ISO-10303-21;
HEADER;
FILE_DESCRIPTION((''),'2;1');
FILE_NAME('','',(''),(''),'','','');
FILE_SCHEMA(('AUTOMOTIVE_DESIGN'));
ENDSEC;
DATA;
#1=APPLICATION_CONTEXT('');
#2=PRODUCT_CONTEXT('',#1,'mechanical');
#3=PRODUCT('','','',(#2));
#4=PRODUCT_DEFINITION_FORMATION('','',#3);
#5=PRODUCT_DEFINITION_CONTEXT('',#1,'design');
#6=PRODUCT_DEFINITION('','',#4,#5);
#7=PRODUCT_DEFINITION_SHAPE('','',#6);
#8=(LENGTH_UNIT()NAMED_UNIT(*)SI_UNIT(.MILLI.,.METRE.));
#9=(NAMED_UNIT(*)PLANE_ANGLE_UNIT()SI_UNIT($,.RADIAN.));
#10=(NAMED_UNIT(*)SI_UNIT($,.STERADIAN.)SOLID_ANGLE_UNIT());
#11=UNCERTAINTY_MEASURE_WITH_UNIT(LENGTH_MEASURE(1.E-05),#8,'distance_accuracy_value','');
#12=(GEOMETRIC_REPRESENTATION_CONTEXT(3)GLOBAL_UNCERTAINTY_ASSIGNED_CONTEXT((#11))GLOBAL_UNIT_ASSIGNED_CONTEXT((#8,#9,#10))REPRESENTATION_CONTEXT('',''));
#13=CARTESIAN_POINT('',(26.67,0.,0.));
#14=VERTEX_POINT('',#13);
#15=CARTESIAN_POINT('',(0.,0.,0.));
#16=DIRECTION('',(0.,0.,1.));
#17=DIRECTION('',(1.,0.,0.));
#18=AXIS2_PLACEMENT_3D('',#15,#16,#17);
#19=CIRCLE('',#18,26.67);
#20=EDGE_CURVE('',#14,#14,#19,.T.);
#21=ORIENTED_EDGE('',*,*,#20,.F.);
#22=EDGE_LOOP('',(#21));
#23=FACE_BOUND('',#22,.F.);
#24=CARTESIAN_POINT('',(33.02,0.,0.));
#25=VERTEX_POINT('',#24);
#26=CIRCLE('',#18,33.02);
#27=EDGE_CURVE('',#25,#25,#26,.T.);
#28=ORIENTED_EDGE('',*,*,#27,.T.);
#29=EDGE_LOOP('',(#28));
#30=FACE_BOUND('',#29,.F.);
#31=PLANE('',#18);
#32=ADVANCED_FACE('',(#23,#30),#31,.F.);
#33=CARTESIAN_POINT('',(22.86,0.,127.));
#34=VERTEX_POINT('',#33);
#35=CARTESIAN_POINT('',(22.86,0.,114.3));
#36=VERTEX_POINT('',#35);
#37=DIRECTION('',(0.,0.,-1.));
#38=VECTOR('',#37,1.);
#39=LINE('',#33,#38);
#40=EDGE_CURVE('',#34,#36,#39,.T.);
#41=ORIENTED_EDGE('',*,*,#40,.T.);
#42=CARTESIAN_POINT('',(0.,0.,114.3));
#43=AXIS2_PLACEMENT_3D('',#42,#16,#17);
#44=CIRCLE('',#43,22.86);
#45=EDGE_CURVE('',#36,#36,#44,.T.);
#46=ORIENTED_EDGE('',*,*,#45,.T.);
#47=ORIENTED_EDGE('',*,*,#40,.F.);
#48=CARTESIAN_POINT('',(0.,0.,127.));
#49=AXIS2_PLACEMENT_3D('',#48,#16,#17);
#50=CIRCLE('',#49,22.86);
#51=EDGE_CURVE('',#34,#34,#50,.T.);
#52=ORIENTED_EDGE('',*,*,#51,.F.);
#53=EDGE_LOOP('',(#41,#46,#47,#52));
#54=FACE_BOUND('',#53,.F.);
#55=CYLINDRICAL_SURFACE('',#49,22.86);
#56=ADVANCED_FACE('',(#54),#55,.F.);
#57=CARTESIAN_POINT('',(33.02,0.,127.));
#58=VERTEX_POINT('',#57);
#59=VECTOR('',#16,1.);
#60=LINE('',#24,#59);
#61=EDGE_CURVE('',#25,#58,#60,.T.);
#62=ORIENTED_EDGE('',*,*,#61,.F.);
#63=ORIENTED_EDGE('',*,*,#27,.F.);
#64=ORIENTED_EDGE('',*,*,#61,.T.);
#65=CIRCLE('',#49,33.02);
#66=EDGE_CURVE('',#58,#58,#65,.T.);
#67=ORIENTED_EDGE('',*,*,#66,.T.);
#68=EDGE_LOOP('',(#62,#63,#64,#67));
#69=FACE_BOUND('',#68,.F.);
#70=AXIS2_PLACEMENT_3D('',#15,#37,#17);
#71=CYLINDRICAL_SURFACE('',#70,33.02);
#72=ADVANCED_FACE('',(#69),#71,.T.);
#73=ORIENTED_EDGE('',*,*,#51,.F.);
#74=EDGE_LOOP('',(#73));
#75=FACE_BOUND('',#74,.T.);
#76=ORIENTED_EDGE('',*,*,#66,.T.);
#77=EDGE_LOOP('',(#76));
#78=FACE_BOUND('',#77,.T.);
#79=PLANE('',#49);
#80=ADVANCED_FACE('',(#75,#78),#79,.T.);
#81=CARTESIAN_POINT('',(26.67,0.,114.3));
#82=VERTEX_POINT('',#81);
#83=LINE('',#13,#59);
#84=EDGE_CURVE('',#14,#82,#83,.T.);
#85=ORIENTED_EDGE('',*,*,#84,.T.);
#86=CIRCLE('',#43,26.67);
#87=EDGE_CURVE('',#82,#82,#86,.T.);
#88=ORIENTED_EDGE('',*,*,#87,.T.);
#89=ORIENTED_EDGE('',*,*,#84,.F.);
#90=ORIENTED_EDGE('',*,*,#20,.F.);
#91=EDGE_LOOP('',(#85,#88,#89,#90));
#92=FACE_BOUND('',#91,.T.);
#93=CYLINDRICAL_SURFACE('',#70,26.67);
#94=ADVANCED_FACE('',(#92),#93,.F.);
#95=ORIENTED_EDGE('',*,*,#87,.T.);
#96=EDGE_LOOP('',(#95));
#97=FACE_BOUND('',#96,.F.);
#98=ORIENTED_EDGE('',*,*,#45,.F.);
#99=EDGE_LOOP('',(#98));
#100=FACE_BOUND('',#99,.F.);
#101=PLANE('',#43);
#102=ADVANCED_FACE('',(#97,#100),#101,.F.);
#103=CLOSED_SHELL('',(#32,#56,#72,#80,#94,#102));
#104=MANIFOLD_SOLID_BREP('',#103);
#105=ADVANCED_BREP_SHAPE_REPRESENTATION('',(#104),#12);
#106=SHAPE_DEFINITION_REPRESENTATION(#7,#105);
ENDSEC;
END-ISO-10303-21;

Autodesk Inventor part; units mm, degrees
ref_plane "YZ Plane" through (0, 0, 0) normal (1, 0, 0) x (0, 1, 0)
ref_plane "XZ Plane" through (0, 0, 0) normal (0, 1, 0) x (-1, 0, 0)
ref_plane "XY Plane" through (0, 0, 0) normal (0, 0, 1) x (1, 0, 0)
sketch "Sketch1" plane through (0, 0, 0) normal (0, 0, 1) x (1, 0, 0)
  circle A0 centre (0, 0) radius 26.67
  circle A1 centre (0, 0) radius 33.02
  dimension "d0" = 53.34
  dimension "d1" = 66.04
extrude "Extrusion1" add sketch "Sketch1" along normal blind 127
sketch "Sketch2" plane through (0, 0, 127) normal (0, 0, 1) x (1, 0, 0)
  circle A0 centre (0, 0) radius 26.67
  circle A1 centre (0, 0) radius 22.86
  dimension "d4" = 45.72
extrude "Extrusion2" add sketch "Sketch2" against normal blind 12.7
properties part number "Tube 1"
